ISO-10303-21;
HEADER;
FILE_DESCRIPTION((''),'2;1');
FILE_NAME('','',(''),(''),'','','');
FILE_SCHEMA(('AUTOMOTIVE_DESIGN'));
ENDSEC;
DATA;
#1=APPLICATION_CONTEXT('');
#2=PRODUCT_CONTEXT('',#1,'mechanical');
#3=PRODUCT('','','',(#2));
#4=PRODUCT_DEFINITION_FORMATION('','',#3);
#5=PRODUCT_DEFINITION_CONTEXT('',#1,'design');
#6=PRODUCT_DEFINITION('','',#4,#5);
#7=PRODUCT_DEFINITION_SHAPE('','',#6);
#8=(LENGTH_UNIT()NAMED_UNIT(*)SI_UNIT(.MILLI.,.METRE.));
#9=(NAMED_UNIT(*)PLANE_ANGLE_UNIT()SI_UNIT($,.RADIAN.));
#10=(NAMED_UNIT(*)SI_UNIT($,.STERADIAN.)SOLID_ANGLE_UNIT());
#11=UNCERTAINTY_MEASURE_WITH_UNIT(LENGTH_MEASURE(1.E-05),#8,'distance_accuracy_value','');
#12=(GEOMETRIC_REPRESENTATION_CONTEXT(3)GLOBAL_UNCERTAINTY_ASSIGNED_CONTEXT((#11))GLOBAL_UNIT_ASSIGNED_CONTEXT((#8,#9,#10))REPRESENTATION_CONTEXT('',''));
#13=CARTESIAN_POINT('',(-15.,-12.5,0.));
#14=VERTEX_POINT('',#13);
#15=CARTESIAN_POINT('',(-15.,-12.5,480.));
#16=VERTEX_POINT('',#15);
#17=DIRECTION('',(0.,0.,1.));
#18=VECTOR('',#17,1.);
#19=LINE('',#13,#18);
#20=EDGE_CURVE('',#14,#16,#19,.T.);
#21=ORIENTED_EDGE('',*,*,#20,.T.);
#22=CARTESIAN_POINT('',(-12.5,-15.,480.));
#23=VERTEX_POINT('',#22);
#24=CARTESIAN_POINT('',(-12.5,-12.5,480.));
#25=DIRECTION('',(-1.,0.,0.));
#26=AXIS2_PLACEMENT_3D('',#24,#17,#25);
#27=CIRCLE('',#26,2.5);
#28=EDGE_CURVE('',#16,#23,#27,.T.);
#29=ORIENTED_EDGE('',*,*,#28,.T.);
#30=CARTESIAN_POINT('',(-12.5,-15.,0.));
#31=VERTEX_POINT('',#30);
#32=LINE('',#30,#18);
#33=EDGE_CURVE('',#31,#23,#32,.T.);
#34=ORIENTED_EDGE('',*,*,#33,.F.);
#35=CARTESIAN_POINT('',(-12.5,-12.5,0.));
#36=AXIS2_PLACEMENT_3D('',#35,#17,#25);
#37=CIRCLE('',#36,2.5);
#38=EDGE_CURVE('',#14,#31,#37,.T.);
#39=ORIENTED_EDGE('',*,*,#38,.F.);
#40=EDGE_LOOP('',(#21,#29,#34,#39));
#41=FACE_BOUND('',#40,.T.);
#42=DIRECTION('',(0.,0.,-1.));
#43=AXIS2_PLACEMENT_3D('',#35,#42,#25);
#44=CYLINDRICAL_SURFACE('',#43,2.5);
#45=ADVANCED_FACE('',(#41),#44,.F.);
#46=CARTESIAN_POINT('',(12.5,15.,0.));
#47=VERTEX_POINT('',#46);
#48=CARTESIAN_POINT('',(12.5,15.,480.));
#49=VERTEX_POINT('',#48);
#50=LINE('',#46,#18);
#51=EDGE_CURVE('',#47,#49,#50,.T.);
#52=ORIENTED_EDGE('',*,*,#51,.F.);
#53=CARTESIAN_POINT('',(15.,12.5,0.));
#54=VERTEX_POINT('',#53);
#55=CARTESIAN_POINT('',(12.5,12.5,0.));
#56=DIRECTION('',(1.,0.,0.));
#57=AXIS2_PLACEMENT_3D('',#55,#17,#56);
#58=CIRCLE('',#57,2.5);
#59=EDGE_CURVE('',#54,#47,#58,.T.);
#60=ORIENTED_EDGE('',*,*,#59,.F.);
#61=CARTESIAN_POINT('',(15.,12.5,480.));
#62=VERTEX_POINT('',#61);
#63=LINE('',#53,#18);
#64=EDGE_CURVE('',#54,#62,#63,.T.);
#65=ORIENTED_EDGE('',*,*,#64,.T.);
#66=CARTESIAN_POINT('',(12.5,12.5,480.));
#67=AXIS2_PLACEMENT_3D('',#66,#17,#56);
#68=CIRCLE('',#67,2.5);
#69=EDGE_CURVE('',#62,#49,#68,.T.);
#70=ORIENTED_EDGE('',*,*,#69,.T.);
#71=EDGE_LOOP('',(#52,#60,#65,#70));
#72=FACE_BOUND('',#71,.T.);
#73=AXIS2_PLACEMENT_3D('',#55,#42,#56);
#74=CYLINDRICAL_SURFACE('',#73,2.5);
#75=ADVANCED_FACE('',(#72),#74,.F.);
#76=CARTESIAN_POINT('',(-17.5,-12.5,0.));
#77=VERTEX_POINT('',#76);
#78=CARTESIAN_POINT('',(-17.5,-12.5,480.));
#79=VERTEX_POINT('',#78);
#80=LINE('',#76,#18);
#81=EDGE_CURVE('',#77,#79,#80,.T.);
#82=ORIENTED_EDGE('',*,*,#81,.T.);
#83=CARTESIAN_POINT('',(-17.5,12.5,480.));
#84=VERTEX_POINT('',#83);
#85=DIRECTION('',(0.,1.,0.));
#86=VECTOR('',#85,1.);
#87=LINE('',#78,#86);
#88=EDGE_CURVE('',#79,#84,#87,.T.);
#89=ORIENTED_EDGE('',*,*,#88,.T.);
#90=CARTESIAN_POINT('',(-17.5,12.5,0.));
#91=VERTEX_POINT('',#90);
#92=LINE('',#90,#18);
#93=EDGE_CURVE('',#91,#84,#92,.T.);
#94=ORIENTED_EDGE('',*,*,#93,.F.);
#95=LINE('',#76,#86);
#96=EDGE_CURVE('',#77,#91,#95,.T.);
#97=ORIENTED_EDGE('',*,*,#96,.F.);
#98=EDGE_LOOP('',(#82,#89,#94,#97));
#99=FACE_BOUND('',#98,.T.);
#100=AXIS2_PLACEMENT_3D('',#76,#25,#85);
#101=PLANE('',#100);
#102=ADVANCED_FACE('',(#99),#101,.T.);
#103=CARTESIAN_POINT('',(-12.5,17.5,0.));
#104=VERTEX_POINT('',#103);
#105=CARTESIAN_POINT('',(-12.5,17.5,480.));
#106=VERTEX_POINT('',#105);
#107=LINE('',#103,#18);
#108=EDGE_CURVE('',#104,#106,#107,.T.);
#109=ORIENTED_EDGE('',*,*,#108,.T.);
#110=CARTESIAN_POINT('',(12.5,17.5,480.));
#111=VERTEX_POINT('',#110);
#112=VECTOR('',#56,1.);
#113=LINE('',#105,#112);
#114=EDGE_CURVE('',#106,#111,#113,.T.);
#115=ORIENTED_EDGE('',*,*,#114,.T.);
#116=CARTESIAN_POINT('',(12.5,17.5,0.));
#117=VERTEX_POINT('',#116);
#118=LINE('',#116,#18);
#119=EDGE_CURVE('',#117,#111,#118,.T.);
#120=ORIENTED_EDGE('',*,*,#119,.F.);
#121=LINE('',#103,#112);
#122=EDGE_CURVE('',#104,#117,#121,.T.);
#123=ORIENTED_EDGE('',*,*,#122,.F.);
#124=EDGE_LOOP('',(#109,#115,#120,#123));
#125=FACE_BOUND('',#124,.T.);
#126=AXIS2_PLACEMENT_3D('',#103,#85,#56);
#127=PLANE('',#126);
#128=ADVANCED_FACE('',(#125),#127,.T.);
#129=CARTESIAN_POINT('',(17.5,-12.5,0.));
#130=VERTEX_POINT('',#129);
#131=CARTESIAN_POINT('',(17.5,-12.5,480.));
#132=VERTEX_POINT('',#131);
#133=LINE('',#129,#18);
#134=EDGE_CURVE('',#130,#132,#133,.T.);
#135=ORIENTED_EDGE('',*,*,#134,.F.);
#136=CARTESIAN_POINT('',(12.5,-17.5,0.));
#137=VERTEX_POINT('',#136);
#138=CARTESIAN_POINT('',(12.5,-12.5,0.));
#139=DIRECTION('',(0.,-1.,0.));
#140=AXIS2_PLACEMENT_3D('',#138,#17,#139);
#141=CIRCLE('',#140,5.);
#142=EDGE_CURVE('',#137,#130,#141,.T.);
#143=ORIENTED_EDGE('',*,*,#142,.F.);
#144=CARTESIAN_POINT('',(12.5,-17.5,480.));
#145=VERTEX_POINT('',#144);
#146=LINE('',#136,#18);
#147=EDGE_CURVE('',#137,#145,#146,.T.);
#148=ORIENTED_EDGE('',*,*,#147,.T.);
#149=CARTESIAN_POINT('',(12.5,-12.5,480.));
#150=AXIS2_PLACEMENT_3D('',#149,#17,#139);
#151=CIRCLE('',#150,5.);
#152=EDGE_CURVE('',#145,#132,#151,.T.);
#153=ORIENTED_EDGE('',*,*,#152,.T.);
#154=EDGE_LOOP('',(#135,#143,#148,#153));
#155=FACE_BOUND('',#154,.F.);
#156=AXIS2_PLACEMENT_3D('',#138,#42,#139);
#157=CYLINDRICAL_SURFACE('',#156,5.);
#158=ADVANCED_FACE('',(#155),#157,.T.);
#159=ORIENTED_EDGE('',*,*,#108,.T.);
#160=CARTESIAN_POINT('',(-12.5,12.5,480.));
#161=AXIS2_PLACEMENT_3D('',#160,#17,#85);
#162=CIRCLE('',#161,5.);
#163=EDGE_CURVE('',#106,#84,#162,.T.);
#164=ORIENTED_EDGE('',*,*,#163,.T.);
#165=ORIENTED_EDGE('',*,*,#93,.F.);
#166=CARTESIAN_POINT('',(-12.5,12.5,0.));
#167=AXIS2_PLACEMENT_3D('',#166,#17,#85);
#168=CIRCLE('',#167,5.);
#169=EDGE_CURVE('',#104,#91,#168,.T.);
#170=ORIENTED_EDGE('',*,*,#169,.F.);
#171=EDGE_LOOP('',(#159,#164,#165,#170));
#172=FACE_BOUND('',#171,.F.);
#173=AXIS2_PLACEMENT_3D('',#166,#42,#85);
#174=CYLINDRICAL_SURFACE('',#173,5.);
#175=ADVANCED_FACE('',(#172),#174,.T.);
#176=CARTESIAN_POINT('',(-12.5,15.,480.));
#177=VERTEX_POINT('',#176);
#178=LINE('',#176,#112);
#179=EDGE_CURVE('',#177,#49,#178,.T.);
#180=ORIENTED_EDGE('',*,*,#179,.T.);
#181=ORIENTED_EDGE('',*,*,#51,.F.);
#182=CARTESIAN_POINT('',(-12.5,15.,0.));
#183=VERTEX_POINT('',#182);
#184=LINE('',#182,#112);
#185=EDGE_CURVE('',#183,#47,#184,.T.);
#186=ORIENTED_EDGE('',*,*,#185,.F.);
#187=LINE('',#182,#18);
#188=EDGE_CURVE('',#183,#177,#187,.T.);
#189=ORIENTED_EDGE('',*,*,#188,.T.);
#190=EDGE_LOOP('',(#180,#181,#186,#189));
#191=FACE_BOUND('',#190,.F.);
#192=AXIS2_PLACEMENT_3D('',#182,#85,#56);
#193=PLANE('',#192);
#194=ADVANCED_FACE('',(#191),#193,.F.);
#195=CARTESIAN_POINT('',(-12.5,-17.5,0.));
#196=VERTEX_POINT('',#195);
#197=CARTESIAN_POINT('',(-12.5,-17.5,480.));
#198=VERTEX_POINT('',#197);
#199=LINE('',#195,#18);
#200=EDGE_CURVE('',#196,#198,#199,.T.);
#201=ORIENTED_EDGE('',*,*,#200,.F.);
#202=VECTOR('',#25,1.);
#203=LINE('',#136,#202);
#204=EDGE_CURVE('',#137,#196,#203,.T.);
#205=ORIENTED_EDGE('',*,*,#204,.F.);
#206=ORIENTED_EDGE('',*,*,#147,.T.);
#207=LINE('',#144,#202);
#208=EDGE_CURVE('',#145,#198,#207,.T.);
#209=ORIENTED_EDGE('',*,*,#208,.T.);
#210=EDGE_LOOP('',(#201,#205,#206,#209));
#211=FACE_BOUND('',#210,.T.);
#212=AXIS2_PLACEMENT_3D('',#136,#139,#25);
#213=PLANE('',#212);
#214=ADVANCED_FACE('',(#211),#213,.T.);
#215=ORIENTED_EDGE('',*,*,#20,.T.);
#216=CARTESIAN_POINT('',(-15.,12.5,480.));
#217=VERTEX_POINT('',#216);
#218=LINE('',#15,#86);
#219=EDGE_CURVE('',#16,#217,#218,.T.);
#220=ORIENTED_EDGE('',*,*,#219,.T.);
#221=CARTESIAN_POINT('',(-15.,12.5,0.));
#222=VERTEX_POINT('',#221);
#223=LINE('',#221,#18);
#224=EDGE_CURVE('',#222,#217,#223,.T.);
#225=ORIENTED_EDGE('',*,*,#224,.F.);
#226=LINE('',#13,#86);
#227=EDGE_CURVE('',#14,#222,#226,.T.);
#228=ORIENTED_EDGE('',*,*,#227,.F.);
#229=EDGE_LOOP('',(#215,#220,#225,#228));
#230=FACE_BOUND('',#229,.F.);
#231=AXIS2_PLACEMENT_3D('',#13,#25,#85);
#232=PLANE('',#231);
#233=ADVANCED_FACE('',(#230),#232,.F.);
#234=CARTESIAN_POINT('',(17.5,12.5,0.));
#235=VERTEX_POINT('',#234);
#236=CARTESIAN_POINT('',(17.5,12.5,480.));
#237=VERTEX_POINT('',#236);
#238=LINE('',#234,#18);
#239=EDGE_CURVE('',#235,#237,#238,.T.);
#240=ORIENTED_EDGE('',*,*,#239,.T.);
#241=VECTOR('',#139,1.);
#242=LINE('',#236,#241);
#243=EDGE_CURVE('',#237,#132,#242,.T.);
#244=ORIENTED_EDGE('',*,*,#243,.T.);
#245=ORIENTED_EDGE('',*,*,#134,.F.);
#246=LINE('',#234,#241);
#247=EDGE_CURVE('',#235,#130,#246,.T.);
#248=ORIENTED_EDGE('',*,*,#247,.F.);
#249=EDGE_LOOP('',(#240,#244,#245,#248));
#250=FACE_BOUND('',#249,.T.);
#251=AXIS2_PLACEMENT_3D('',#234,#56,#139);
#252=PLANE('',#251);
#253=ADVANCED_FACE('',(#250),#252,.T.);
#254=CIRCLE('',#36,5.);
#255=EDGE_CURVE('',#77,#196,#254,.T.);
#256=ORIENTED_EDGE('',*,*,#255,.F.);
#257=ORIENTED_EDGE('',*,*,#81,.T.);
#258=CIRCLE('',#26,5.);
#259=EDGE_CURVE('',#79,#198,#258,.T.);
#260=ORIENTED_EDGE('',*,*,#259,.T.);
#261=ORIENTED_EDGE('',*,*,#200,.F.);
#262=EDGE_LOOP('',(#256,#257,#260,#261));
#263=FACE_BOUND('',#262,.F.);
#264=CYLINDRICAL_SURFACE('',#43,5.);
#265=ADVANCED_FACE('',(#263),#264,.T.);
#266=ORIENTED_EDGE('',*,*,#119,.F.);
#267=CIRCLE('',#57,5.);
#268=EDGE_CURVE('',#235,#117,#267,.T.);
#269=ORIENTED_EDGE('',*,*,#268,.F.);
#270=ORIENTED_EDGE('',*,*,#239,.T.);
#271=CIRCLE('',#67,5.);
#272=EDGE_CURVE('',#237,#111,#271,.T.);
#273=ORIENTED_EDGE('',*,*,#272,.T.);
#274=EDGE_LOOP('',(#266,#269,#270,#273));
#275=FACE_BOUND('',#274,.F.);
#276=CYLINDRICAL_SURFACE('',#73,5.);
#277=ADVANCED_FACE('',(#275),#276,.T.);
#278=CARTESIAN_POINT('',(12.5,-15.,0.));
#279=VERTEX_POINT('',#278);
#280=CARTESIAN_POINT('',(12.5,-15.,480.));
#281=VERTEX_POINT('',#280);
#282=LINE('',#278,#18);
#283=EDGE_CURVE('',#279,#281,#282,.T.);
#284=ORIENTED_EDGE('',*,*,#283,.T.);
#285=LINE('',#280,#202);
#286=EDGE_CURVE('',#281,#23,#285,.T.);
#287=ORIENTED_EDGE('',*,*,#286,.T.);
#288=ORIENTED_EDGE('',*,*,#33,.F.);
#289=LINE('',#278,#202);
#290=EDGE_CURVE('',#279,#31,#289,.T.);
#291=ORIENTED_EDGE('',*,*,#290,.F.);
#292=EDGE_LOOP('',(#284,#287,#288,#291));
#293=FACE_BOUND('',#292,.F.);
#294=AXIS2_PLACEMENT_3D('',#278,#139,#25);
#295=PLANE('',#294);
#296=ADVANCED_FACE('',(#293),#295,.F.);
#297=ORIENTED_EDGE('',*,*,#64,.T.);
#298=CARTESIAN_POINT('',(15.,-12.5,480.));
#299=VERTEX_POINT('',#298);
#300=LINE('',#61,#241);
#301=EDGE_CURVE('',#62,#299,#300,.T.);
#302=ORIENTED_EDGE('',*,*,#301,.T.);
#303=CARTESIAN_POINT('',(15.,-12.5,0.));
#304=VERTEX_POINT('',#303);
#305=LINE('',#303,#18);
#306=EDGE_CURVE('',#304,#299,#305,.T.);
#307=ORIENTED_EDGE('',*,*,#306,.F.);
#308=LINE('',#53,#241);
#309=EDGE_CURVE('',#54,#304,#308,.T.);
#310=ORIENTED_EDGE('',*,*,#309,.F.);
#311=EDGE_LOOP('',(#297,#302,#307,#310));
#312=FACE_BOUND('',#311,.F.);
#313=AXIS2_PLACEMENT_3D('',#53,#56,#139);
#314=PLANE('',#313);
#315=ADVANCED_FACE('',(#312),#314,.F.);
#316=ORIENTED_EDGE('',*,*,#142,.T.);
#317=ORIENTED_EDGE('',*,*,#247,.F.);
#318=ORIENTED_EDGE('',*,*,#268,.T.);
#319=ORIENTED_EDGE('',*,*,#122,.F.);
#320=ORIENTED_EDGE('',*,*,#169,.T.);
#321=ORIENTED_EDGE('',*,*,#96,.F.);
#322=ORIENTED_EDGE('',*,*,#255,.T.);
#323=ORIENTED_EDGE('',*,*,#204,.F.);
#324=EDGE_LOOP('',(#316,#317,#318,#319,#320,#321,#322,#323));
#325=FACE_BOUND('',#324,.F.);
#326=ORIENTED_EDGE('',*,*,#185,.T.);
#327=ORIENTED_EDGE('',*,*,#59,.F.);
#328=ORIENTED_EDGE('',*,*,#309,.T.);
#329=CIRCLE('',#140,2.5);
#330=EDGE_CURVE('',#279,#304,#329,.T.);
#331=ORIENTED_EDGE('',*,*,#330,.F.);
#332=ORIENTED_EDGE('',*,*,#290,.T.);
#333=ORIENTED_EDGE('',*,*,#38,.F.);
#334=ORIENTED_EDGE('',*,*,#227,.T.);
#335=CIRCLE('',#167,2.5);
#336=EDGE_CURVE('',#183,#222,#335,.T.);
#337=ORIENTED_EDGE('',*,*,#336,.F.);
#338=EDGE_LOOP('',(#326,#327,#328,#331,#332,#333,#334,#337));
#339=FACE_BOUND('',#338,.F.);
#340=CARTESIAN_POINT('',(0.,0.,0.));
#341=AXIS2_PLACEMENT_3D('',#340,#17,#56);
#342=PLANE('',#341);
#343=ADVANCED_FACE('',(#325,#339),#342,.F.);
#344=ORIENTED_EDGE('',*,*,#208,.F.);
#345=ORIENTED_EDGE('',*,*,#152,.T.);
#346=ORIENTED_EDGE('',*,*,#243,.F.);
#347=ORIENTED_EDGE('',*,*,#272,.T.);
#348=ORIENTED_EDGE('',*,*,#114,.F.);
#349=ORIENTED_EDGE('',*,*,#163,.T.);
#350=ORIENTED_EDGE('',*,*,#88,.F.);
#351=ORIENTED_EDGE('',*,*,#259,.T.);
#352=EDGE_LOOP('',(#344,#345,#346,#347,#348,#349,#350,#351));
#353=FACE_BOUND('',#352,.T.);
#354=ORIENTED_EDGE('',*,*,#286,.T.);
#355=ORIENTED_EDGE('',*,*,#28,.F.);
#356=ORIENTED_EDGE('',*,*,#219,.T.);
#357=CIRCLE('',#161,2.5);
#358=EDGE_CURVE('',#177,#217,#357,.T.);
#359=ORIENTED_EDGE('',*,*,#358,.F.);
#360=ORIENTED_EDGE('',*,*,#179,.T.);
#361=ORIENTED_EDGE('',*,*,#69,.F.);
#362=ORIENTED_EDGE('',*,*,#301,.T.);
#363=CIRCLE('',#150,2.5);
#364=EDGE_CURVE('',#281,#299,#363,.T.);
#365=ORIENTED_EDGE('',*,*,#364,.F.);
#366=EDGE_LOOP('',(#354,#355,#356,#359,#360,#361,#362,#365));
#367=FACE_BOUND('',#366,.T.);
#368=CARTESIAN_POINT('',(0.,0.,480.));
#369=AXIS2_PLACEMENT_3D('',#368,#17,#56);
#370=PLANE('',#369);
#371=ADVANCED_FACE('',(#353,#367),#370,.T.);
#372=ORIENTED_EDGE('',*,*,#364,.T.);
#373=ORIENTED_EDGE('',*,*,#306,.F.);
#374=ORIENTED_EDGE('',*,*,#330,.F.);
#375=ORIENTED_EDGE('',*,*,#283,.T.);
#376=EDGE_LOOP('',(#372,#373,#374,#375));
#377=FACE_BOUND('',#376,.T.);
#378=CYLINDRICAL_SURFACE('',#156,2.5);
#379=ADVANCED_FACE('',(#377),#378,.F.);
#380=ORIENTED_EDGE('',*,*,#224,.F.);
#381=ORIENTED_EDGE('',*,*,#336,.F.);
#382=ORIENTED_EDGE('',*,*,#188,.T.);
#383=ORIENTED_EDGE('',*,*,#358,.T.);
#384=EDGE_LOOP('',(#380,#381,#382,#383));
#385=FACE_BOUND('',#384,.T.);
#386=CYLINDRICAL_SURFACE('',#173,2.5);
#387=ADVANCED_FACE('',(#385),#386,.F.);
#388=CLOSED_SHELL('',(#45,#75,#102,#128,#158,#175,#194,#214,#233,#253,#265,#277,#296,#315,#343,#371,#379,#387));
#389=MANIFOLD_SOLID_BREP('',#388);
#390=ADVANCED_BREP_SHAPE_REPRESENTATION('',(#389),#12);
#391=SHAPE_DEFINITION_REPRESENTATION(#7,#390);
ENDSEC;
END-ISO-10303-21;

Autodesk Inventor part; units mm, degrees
ref_plane "YZ Plane" through (0, 0, 0) normal (1, 0, 0) x (0, 1, 0)
ref_plane "Start plane" through (0, 0, 0) normal (0, 0, 1) x (1, 0, 0)
ref_plane "End plane" through (0, 0, 480) normal (0, 0, 1) x (1, 0, 0)
sketch "Sketch" plane through (0, 0, 0) normal (0, 0, 1) x (1, 0, 0)
  line L0 (-17.5, -12.5) -> (-17.5, 12.5)
  line L1 (-12.5, 17.5) -> (12.5, 17.5)
  line L2 (17.5, 12.5) -> (17.5, -12.5)
  line L3 (12.5, -17.5) -> (-12.5, -17.5)
  arc A0 (-17.5, -12.5) -> (-12.5, -17.5) centre (-12.5, -12.5) ccw
  arc A1 (-12.5, 17.5) -> (-17.5, 12.5) centre (-12.5, 12.5) ccw
  arc A2 (17.5, 12.5) -> (12.5, 17.5) centre (12.5, 12.5) ccw
  arc A3 (12.5, -17.5) -> (17.5, -12.5) centre (12.5, -12.5) ccw
  arc A4 (-12.5, 15) -> (-15, 12.5) centre (-12.5, 12.5) ccw
  line L4 (-12.5, 15) -> (12.5, 15)
  arc A5 (15, 12.5) -> (12.5, 15) centre (12.5, 12.5) ccw
  line L5 (15, 12.5) -> (15, -12.5)
  arc A6 (12.5, -15) -> (15, -12.5) centre (12.5, -12.5) ccw
  line L6 (12.5, -15) -> (-12.5, -15)
  arc A7 (-15, -12.5) -> (-12.5, -15) centre (-12.5, -12.5) ccw
  line L7 (-15, -12.5) -> (-15, 12.5)
  line L8 (0, 25.9497) -> (0, -25.9497) construction
  line L9 (-25.9497, 0) -> (25.9497, 0) construction
  dimension "d7" = 5
  dimension "d10" = 35
  dimension "d11" = 35
  dimension "d12" = 2.5
  dimension "d15" = 17.5
  dimension "d16" = 17.5
extrude "Body" add sketch "Sketch" along normal up to surface (480 mm away) from surface at 0
sketch "Sketch3" plane through (0, 0, 0) normal (0, 0, 1) x (1, 0, 0)
  line L0 (0, 0) -> (10, 0)
ref_plane "Work Plane3" through (0, 0, 0) normal (0, -1, 0) x (1, 0, 0)
sketch "Sketch4" plane through (0, 0, 0) normal (0, -1, 0) x (1, 0, 0)
  line L0 (-2, 0) -> (12, 0)
  line L1 (-2, 480) -> (12, 480)
  dimension "d18" = 480
equation "\"d7\" = G_IR"
equation "\"d10\" = G_H"
equation "\"d11\" = G_W"
equation "\"d12\" = G_T"
equation "\"d15\" = 0.5 * d10"
equation "\"d16\" = 0.5 * d11"
equation "\"d3\" = G_L"
equation "\"G_W\" = 35"
equation "\"G_H\" = 35"
equation "\"G_T\" = 2.5"
equation "\"G_IR\" = 5"
equation "\"G_L\" = d18"
equation "\"G_OFFSET_START\" = 0"
equation "\"G_OFFSET_END\" = 0"
properties part number "AS 1163 - C350L0 35x35x2.5 SHS - 480" material "Steel, Mild"
